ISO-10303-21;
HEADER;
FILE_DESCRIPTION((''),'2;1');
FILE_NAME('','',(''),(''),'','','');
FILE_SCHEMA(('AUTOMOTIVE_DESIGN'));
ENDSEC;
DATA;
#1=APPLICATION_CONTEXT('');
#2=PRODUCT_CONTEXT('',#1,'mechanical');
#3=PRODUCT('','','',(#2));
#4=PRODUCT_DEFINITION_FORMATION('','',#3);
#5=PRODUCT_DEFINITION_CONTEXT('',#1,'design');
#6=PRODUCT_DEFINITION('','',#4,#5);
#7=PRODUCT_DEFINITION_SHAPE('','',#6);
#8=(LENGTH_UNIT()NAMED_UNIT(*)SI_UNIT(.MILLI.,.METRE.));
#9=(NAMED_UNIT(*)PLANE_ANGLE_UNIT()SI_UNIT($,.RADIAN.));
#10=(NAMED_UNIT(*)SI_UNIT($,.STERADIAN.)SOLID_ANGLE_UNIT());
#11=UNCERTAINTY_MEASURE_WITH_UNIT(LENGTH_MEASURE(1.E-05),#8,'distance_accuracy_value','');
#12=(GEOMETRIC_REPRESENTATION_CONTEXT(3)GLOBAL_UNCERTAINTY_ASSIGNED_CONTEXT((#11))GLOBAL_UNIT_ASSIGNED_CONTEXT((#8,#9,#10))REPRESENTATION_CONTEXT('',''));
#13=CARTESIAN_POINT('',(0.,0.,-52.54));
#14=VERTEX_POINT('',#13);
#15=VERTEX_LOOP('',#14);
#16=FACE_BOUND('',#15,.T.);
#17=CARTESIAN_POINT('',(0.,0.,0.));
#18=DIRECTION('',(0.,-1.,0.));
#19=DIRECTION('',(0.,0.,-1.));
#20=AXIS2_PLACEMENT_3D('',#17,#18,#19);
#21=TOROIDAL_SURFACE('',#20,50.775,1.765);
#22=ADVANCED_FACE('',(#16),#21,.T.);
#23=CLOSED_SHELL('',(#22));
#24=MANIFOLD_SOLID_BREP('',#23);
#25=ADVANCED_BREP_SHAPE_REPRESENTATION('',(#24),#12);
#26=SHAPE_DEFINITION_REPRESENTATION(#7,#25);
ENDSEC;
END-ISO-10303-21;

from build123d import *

# Parameters (mm, degrees)
IZIM1_R = 1.765


with BuildPart() as part:
    # Çizim1 → Döndür1 (revolve)
    with BuildSketch(Plane.XY, mode=Mode.PRIVATE) as d_nd_r1_sk:
        with Locations((-50.775, 0)):
            Circle(IZIM1_R)
    revolve(d_nd_r1_sk.sketch.rotate(Axis((0, 0, 0), (0, 1, 0)), 270), axis=Axis((0, 0, 0), (0, 1, 0)))


solid = part.part
